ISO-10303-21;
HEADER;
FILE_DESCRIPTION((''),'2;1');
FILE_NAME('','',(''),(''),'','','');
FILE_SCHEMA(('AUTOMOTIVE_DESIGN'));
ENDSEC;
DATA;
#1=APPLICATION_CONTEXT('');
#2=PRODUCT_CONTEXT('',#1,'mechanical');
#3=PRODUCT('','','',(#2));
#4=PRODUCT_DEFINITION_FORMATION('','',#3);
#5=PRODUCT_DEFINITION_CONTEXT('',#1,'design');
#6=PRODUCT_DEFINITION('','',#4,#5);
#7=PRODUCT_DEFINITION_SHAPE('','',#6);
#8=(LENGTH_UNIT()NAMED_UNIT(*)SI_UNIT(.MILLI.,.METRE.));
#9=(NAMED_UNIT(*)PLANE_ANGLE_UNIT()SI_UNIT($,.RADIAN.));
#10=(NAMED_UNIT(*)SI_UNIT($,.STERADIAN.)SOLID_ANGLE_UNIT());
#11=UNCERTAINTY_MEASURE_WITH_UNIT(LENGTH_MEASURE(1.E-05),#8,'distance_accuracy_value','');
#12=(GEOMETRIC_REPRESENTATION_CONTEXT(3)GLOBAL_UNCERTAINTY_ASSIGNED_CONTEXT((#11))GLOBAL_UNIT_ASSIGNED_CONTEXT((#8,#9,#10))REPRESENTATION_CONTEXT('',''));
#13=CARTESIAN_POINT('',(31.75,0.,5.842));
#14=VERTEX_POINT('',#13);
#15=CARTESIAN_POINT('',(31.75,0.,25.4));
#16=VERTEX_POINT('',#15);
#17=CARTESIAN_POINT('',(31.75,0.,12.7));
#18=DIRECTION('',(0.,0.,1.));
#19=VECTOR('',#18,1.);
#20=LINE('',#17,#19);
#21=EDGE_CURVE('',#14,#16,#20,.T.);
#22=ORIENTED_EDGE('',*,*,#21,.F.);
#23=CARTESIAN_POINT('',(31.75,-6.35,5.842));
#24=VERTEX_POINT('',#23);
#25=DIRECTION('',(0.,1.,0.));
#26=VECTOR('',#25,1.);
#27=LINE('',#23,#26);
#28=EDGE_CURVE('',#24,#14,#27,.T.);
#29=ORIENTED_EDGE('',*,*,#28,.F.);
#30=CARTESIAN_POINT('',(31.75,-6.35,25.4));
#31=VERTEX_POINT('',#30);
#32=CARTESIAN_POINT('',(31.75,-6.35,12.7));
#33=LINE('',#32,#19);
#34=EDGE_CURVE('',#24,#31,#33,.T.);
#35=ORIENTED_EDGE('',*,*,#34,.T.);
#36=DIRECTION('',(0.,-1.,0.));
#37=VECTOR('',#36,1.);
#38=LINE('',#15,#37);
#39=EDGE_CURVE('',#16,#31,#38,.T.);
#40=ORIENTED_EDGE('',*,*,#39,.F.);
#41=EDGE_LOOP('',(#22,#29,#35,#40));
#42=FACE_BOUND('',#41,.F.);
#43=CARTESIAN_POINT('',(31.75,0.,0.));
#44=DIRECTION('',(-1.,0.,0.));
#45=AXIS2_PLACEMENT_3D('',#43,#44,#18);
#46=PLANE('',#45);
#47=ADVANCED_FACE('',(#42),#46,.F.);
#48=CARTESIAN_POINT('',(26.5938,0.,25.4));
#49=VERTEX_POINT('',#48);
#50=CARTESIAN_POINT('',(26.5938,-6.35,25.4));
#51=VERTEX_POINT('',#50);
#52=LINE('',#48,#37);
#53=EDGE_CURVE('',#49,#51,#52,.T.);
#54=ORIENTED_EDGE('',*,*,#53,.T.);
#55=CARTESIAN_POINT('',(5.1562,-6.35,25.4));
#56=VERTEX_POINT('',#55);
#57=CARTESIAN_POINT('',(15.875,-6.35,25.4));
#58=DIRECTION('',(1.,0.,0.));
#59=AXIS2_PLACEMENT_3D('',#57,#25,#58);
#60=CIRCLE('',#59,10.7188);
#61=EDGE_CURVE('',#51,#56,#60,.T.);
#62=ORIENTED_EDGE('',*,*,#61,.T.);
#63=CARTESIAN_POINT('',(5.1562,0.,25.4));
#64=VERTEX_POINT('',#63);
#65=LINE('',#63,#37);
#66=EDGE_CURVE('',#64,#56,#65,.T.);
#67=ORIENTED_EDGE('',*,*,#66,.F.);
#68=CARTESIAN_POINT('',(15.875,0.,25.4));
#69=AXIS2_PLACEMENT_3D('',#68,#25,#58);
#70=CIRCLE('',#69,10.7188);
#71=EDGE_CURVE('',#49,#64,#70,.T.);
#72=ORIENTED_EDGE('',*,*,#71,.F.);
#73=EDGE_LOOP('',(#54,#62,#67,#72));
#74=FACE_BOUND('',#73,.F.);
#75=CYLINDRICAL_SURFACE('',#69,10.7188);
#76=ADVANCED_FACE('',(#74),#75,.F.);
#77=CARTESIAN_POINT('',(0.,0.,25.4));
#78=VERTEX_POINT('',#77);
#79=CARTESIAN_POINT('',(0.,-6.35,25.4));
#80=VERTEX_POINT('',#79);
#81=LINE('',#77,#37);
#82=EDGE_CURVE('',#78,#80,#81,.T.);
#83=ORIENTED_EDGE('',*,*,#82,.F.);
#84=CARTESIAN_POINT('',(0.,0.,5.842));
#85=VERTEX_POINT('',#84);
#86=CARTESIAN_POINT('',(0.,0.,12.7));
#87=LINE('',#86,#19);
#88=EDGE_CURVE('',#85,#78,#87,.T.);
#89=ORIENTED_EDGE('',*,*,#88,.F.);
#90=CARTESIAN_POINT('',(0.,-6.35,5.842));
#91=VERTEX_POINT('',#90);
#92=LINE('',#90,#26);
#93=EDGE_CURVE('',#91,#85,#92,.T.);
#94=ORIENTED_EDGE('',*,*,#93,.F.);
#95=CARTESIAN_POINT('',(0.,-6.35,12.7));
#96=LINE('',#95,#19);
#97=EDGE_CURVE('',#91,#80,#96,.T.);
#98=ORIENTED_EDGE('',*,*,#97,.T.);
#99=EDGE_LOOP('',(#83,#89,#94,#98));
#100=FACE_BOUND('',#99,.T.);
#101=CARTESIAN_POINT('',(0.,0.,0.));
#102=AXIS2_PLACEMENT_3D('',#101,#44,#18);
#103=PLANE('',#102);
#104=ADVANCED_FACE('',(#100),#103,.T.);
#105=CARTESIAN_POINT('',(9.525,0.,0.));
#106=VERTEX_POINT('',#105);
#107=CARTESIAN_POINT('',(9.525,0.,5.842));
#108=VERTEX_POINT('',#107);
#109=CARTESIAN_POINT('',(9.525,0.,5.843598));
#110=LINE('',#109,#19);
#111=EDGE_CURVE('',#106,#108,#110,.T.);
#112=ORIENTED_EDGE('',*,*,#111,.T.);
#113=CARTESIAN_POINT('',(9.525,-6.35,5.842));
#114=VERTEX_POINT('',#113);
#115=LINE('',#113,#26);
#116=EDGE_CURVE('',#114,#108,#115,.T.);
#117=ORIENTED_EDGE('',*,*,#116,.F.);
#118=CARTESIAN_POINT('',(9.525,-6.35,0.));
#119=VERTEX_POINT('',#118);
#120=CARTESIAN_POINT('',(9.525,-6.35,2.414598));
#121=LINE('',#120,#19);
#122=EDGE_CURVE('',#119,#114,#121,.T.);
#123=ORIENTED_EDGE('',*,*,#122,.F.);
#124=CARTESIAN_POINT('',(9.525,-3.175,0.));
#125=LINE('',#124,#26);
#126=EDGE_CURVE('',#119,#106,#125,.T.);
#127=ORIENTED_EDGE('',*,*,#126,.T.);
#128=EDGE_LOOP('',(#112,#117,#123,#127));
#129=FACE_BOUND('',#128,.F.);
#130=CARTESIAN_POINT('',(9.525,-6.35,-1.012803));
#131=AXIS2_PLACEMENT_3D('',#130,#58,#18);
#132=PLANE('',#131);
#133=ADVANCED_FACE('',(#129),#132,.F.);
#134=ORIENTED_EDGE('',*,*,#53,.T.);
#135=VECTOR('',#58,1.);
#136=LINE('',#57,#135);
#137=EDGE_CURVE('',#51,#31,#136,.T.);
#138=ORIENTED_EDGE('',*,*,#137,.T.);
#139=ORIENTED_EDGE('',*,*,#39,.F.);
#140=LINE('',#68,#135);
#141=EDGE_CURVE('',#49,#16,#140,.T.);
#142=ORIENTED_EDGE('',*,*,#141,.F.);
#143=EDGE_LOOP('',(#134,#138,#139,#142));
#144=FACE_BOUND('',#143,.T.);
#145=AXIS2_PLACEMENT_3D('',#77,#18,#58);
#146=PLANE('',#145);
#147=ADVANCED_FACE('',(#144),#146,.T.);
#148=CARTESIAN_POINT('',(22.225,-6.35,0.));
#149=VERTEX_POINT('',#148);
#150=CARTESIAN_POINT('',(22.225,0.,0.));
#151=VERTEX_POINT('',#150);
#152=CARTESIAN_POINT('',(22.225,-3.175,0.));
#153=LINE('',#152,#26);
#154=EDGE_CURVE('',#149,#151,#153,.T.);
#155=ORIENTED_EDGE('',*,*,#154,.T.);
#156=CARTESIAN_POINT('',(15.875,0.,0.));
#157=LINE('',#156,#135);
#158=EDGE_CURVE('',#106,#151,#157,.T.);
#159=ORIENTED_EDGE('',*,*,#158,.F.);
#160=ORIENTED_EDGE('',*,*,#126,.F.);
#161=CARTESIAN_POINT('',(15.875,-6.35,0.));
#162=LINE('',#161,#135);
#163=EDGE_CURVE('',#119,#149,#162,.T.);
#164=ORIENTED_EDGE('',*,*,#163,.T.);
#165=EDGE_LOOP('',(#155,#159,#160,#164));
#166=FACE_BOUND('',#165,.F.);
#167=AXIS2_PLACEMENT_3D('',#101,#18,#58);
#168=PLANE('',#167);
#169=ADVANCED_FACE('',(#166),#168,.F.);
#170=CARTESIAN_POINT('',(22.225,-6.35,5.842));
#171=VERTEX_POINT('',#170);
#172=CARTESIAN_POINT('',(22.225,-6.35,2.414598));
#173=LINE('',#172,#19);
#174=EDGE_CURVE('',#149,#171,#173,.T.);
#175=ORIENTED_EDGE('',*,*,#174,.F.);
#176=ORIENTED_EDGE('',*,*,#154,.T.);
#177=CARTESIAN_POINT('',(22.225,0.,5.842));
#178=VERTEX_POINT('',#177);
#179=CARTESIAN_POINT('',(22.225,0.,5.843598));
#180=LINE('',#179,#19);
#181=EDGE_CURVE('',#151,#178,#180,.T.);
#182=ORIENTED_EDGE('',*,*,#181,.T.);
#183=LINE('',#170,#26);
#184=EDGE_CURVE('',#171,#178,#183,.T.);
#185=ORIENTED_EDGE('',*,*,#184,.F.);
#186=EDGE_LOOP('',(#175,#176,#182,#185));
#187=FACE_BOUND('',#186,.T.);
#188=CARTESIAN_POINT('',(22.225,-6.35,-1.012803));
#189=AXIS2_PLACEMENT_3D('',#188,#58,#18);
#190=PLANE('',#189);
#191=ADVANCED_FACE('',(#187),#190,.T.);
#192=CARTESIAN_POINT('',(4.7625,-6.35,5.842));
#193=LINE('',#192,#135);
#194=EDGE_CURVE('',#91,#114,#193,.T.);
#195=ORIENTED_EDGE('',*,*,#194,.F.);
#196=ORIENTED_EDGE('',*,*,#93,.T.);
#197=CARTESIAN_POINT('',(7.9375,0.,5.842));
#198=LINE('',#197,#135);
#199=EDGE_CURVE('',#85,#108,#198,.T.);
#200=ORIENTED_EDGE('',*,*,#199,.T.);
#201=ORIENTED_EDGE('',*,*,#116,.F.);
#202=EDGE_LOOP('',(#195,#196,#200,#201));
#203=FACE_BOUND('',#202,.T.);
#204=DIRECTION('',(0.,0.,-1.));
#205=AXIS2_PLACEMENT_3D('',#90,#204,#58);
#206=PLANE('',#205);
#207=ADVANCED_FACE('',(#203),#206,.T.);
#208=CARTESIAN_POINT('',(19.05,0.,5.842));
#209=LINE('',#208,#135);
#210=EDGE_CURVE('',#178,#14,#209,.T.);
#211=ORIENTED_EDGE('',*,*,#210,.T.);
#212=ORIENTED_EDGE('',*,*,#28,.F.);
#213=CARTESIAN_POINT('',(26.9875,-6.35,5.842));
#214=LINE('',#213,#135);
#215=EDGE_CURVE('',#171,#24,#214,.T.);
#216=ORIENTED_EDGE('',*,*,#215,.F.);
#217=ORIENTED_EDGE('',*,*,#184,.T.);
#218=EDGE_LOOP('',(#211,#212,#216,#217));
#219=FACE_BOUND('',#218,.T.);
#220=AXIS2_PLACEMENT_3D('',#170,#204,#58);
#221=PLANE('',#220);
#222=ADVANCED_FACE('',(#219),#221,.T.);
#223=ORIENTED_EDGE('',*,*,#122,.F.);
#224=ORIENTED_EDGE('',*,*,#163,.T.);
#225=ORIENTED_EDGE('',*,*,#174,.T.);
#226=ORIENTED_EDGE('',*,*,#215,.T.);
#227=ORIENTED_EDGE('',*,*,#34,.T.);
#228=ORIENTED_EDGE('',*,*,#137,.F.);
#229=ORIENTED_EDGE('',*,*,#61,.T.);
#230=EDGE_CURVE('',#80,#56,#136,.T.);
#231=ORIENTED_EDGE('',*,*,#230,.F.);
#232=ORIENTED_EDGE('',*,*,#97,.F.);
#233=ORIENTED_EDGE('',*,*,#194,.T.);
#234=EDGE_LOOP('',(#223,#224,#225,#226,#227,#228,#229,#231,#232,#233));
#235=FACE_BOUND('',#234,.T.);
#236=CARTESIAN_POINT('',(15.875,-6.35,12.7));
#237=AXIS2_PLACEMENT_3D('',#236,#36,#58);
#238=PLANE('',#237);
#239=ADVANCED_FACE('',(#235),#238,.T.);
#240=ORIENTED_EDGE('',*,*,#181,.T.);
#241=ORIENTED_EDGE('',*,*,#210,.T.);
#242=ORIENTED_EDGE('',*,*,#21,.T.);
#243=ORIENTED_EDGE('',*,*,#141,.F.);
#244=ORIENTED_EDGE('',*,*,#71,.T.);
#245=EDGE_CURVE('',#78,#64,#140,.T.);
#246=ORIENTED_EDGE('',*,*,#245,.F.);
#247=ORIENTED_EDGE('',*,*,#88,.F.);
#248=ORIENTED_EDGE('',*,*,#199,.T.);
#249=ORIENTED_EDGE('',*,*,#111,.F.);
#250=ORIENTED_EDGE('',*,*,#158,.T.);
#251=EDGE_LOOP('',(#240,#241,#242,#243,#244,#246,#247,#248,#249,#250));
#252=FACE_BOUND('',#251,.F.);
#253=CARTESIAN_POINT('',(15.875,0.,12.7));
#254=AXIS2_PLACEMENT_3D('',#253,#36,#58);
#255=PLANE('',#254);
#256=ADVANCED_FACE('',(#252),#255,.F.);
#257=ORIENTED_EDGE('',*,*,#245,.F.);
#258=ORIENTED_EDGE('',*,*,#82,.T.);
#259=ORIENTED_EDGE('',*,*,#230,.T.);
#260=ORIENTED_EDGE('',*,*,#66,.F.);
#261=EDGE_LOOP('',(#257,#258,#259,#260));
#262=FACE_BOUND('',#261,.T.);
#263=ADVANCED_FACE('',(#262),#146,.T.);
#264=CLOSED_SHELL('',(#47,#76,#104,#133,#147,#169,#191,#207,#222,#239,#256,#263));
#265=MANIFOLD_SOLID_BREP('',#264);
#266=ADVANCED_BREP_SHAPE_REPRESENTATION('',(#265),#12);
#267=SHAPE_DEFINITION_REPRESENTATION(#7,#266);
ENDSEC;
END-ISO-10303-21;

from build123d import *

# Parameters (mm, degrees)
F0_W     = 31.75
F0_H     = 25.4
F1_DEPTH = 6.35
F3_DEPTH = 6.35
F4_W     = 9.525
F4_H     = 6.854803
F5_DEPTH = 6.351


with BuildPart() as f1:
    # F0 (on Front) → F1 (new body)
    with BuildSketch(Plane.XZ):
        with Locations((15.875, 12.7)):
            Rectangle(F0_W, F0_H)
    extrude(amount=F1_DEPTH)

    # F2 (on face) → F3 (cut)
    with BuildSketch(Plane(origin=(0, 0, 0), x_dir=(-1, 0, 0), z_dir=(0, 1, 0))):
        with BuildLine():
            Line((-26.5938, 28.933519), (-26.5938, 25.4))
            ThreePointArc((-26.5938, 25.4), (-15.875, 14.6812), (-5.1562, 25.4))
            Line((-5.1562, 25.4), (-5.135716, 28.933519))
            Line((-5.135716, 28.933519), (-26.5938, 28.933519))
        make_face()
    extrude(amount=-F3_DEPTH, mode=Mode.SUBTRACT)

    # F4 (on face) → F5 (cut, through all)
    with BuildSketch(Plane.XZ.offset(6.35)):
        with Locations((4.7625, 2.414598)):
            Rectangle(F4_W, F4_H)
        with Locations((26.9875, 2.414598)):
            Rectangle(F4_W, F4_H)
    extrude(amount=-F5_DEPTH, mode=Mode.SUBTRACT)


solid = f1.part
